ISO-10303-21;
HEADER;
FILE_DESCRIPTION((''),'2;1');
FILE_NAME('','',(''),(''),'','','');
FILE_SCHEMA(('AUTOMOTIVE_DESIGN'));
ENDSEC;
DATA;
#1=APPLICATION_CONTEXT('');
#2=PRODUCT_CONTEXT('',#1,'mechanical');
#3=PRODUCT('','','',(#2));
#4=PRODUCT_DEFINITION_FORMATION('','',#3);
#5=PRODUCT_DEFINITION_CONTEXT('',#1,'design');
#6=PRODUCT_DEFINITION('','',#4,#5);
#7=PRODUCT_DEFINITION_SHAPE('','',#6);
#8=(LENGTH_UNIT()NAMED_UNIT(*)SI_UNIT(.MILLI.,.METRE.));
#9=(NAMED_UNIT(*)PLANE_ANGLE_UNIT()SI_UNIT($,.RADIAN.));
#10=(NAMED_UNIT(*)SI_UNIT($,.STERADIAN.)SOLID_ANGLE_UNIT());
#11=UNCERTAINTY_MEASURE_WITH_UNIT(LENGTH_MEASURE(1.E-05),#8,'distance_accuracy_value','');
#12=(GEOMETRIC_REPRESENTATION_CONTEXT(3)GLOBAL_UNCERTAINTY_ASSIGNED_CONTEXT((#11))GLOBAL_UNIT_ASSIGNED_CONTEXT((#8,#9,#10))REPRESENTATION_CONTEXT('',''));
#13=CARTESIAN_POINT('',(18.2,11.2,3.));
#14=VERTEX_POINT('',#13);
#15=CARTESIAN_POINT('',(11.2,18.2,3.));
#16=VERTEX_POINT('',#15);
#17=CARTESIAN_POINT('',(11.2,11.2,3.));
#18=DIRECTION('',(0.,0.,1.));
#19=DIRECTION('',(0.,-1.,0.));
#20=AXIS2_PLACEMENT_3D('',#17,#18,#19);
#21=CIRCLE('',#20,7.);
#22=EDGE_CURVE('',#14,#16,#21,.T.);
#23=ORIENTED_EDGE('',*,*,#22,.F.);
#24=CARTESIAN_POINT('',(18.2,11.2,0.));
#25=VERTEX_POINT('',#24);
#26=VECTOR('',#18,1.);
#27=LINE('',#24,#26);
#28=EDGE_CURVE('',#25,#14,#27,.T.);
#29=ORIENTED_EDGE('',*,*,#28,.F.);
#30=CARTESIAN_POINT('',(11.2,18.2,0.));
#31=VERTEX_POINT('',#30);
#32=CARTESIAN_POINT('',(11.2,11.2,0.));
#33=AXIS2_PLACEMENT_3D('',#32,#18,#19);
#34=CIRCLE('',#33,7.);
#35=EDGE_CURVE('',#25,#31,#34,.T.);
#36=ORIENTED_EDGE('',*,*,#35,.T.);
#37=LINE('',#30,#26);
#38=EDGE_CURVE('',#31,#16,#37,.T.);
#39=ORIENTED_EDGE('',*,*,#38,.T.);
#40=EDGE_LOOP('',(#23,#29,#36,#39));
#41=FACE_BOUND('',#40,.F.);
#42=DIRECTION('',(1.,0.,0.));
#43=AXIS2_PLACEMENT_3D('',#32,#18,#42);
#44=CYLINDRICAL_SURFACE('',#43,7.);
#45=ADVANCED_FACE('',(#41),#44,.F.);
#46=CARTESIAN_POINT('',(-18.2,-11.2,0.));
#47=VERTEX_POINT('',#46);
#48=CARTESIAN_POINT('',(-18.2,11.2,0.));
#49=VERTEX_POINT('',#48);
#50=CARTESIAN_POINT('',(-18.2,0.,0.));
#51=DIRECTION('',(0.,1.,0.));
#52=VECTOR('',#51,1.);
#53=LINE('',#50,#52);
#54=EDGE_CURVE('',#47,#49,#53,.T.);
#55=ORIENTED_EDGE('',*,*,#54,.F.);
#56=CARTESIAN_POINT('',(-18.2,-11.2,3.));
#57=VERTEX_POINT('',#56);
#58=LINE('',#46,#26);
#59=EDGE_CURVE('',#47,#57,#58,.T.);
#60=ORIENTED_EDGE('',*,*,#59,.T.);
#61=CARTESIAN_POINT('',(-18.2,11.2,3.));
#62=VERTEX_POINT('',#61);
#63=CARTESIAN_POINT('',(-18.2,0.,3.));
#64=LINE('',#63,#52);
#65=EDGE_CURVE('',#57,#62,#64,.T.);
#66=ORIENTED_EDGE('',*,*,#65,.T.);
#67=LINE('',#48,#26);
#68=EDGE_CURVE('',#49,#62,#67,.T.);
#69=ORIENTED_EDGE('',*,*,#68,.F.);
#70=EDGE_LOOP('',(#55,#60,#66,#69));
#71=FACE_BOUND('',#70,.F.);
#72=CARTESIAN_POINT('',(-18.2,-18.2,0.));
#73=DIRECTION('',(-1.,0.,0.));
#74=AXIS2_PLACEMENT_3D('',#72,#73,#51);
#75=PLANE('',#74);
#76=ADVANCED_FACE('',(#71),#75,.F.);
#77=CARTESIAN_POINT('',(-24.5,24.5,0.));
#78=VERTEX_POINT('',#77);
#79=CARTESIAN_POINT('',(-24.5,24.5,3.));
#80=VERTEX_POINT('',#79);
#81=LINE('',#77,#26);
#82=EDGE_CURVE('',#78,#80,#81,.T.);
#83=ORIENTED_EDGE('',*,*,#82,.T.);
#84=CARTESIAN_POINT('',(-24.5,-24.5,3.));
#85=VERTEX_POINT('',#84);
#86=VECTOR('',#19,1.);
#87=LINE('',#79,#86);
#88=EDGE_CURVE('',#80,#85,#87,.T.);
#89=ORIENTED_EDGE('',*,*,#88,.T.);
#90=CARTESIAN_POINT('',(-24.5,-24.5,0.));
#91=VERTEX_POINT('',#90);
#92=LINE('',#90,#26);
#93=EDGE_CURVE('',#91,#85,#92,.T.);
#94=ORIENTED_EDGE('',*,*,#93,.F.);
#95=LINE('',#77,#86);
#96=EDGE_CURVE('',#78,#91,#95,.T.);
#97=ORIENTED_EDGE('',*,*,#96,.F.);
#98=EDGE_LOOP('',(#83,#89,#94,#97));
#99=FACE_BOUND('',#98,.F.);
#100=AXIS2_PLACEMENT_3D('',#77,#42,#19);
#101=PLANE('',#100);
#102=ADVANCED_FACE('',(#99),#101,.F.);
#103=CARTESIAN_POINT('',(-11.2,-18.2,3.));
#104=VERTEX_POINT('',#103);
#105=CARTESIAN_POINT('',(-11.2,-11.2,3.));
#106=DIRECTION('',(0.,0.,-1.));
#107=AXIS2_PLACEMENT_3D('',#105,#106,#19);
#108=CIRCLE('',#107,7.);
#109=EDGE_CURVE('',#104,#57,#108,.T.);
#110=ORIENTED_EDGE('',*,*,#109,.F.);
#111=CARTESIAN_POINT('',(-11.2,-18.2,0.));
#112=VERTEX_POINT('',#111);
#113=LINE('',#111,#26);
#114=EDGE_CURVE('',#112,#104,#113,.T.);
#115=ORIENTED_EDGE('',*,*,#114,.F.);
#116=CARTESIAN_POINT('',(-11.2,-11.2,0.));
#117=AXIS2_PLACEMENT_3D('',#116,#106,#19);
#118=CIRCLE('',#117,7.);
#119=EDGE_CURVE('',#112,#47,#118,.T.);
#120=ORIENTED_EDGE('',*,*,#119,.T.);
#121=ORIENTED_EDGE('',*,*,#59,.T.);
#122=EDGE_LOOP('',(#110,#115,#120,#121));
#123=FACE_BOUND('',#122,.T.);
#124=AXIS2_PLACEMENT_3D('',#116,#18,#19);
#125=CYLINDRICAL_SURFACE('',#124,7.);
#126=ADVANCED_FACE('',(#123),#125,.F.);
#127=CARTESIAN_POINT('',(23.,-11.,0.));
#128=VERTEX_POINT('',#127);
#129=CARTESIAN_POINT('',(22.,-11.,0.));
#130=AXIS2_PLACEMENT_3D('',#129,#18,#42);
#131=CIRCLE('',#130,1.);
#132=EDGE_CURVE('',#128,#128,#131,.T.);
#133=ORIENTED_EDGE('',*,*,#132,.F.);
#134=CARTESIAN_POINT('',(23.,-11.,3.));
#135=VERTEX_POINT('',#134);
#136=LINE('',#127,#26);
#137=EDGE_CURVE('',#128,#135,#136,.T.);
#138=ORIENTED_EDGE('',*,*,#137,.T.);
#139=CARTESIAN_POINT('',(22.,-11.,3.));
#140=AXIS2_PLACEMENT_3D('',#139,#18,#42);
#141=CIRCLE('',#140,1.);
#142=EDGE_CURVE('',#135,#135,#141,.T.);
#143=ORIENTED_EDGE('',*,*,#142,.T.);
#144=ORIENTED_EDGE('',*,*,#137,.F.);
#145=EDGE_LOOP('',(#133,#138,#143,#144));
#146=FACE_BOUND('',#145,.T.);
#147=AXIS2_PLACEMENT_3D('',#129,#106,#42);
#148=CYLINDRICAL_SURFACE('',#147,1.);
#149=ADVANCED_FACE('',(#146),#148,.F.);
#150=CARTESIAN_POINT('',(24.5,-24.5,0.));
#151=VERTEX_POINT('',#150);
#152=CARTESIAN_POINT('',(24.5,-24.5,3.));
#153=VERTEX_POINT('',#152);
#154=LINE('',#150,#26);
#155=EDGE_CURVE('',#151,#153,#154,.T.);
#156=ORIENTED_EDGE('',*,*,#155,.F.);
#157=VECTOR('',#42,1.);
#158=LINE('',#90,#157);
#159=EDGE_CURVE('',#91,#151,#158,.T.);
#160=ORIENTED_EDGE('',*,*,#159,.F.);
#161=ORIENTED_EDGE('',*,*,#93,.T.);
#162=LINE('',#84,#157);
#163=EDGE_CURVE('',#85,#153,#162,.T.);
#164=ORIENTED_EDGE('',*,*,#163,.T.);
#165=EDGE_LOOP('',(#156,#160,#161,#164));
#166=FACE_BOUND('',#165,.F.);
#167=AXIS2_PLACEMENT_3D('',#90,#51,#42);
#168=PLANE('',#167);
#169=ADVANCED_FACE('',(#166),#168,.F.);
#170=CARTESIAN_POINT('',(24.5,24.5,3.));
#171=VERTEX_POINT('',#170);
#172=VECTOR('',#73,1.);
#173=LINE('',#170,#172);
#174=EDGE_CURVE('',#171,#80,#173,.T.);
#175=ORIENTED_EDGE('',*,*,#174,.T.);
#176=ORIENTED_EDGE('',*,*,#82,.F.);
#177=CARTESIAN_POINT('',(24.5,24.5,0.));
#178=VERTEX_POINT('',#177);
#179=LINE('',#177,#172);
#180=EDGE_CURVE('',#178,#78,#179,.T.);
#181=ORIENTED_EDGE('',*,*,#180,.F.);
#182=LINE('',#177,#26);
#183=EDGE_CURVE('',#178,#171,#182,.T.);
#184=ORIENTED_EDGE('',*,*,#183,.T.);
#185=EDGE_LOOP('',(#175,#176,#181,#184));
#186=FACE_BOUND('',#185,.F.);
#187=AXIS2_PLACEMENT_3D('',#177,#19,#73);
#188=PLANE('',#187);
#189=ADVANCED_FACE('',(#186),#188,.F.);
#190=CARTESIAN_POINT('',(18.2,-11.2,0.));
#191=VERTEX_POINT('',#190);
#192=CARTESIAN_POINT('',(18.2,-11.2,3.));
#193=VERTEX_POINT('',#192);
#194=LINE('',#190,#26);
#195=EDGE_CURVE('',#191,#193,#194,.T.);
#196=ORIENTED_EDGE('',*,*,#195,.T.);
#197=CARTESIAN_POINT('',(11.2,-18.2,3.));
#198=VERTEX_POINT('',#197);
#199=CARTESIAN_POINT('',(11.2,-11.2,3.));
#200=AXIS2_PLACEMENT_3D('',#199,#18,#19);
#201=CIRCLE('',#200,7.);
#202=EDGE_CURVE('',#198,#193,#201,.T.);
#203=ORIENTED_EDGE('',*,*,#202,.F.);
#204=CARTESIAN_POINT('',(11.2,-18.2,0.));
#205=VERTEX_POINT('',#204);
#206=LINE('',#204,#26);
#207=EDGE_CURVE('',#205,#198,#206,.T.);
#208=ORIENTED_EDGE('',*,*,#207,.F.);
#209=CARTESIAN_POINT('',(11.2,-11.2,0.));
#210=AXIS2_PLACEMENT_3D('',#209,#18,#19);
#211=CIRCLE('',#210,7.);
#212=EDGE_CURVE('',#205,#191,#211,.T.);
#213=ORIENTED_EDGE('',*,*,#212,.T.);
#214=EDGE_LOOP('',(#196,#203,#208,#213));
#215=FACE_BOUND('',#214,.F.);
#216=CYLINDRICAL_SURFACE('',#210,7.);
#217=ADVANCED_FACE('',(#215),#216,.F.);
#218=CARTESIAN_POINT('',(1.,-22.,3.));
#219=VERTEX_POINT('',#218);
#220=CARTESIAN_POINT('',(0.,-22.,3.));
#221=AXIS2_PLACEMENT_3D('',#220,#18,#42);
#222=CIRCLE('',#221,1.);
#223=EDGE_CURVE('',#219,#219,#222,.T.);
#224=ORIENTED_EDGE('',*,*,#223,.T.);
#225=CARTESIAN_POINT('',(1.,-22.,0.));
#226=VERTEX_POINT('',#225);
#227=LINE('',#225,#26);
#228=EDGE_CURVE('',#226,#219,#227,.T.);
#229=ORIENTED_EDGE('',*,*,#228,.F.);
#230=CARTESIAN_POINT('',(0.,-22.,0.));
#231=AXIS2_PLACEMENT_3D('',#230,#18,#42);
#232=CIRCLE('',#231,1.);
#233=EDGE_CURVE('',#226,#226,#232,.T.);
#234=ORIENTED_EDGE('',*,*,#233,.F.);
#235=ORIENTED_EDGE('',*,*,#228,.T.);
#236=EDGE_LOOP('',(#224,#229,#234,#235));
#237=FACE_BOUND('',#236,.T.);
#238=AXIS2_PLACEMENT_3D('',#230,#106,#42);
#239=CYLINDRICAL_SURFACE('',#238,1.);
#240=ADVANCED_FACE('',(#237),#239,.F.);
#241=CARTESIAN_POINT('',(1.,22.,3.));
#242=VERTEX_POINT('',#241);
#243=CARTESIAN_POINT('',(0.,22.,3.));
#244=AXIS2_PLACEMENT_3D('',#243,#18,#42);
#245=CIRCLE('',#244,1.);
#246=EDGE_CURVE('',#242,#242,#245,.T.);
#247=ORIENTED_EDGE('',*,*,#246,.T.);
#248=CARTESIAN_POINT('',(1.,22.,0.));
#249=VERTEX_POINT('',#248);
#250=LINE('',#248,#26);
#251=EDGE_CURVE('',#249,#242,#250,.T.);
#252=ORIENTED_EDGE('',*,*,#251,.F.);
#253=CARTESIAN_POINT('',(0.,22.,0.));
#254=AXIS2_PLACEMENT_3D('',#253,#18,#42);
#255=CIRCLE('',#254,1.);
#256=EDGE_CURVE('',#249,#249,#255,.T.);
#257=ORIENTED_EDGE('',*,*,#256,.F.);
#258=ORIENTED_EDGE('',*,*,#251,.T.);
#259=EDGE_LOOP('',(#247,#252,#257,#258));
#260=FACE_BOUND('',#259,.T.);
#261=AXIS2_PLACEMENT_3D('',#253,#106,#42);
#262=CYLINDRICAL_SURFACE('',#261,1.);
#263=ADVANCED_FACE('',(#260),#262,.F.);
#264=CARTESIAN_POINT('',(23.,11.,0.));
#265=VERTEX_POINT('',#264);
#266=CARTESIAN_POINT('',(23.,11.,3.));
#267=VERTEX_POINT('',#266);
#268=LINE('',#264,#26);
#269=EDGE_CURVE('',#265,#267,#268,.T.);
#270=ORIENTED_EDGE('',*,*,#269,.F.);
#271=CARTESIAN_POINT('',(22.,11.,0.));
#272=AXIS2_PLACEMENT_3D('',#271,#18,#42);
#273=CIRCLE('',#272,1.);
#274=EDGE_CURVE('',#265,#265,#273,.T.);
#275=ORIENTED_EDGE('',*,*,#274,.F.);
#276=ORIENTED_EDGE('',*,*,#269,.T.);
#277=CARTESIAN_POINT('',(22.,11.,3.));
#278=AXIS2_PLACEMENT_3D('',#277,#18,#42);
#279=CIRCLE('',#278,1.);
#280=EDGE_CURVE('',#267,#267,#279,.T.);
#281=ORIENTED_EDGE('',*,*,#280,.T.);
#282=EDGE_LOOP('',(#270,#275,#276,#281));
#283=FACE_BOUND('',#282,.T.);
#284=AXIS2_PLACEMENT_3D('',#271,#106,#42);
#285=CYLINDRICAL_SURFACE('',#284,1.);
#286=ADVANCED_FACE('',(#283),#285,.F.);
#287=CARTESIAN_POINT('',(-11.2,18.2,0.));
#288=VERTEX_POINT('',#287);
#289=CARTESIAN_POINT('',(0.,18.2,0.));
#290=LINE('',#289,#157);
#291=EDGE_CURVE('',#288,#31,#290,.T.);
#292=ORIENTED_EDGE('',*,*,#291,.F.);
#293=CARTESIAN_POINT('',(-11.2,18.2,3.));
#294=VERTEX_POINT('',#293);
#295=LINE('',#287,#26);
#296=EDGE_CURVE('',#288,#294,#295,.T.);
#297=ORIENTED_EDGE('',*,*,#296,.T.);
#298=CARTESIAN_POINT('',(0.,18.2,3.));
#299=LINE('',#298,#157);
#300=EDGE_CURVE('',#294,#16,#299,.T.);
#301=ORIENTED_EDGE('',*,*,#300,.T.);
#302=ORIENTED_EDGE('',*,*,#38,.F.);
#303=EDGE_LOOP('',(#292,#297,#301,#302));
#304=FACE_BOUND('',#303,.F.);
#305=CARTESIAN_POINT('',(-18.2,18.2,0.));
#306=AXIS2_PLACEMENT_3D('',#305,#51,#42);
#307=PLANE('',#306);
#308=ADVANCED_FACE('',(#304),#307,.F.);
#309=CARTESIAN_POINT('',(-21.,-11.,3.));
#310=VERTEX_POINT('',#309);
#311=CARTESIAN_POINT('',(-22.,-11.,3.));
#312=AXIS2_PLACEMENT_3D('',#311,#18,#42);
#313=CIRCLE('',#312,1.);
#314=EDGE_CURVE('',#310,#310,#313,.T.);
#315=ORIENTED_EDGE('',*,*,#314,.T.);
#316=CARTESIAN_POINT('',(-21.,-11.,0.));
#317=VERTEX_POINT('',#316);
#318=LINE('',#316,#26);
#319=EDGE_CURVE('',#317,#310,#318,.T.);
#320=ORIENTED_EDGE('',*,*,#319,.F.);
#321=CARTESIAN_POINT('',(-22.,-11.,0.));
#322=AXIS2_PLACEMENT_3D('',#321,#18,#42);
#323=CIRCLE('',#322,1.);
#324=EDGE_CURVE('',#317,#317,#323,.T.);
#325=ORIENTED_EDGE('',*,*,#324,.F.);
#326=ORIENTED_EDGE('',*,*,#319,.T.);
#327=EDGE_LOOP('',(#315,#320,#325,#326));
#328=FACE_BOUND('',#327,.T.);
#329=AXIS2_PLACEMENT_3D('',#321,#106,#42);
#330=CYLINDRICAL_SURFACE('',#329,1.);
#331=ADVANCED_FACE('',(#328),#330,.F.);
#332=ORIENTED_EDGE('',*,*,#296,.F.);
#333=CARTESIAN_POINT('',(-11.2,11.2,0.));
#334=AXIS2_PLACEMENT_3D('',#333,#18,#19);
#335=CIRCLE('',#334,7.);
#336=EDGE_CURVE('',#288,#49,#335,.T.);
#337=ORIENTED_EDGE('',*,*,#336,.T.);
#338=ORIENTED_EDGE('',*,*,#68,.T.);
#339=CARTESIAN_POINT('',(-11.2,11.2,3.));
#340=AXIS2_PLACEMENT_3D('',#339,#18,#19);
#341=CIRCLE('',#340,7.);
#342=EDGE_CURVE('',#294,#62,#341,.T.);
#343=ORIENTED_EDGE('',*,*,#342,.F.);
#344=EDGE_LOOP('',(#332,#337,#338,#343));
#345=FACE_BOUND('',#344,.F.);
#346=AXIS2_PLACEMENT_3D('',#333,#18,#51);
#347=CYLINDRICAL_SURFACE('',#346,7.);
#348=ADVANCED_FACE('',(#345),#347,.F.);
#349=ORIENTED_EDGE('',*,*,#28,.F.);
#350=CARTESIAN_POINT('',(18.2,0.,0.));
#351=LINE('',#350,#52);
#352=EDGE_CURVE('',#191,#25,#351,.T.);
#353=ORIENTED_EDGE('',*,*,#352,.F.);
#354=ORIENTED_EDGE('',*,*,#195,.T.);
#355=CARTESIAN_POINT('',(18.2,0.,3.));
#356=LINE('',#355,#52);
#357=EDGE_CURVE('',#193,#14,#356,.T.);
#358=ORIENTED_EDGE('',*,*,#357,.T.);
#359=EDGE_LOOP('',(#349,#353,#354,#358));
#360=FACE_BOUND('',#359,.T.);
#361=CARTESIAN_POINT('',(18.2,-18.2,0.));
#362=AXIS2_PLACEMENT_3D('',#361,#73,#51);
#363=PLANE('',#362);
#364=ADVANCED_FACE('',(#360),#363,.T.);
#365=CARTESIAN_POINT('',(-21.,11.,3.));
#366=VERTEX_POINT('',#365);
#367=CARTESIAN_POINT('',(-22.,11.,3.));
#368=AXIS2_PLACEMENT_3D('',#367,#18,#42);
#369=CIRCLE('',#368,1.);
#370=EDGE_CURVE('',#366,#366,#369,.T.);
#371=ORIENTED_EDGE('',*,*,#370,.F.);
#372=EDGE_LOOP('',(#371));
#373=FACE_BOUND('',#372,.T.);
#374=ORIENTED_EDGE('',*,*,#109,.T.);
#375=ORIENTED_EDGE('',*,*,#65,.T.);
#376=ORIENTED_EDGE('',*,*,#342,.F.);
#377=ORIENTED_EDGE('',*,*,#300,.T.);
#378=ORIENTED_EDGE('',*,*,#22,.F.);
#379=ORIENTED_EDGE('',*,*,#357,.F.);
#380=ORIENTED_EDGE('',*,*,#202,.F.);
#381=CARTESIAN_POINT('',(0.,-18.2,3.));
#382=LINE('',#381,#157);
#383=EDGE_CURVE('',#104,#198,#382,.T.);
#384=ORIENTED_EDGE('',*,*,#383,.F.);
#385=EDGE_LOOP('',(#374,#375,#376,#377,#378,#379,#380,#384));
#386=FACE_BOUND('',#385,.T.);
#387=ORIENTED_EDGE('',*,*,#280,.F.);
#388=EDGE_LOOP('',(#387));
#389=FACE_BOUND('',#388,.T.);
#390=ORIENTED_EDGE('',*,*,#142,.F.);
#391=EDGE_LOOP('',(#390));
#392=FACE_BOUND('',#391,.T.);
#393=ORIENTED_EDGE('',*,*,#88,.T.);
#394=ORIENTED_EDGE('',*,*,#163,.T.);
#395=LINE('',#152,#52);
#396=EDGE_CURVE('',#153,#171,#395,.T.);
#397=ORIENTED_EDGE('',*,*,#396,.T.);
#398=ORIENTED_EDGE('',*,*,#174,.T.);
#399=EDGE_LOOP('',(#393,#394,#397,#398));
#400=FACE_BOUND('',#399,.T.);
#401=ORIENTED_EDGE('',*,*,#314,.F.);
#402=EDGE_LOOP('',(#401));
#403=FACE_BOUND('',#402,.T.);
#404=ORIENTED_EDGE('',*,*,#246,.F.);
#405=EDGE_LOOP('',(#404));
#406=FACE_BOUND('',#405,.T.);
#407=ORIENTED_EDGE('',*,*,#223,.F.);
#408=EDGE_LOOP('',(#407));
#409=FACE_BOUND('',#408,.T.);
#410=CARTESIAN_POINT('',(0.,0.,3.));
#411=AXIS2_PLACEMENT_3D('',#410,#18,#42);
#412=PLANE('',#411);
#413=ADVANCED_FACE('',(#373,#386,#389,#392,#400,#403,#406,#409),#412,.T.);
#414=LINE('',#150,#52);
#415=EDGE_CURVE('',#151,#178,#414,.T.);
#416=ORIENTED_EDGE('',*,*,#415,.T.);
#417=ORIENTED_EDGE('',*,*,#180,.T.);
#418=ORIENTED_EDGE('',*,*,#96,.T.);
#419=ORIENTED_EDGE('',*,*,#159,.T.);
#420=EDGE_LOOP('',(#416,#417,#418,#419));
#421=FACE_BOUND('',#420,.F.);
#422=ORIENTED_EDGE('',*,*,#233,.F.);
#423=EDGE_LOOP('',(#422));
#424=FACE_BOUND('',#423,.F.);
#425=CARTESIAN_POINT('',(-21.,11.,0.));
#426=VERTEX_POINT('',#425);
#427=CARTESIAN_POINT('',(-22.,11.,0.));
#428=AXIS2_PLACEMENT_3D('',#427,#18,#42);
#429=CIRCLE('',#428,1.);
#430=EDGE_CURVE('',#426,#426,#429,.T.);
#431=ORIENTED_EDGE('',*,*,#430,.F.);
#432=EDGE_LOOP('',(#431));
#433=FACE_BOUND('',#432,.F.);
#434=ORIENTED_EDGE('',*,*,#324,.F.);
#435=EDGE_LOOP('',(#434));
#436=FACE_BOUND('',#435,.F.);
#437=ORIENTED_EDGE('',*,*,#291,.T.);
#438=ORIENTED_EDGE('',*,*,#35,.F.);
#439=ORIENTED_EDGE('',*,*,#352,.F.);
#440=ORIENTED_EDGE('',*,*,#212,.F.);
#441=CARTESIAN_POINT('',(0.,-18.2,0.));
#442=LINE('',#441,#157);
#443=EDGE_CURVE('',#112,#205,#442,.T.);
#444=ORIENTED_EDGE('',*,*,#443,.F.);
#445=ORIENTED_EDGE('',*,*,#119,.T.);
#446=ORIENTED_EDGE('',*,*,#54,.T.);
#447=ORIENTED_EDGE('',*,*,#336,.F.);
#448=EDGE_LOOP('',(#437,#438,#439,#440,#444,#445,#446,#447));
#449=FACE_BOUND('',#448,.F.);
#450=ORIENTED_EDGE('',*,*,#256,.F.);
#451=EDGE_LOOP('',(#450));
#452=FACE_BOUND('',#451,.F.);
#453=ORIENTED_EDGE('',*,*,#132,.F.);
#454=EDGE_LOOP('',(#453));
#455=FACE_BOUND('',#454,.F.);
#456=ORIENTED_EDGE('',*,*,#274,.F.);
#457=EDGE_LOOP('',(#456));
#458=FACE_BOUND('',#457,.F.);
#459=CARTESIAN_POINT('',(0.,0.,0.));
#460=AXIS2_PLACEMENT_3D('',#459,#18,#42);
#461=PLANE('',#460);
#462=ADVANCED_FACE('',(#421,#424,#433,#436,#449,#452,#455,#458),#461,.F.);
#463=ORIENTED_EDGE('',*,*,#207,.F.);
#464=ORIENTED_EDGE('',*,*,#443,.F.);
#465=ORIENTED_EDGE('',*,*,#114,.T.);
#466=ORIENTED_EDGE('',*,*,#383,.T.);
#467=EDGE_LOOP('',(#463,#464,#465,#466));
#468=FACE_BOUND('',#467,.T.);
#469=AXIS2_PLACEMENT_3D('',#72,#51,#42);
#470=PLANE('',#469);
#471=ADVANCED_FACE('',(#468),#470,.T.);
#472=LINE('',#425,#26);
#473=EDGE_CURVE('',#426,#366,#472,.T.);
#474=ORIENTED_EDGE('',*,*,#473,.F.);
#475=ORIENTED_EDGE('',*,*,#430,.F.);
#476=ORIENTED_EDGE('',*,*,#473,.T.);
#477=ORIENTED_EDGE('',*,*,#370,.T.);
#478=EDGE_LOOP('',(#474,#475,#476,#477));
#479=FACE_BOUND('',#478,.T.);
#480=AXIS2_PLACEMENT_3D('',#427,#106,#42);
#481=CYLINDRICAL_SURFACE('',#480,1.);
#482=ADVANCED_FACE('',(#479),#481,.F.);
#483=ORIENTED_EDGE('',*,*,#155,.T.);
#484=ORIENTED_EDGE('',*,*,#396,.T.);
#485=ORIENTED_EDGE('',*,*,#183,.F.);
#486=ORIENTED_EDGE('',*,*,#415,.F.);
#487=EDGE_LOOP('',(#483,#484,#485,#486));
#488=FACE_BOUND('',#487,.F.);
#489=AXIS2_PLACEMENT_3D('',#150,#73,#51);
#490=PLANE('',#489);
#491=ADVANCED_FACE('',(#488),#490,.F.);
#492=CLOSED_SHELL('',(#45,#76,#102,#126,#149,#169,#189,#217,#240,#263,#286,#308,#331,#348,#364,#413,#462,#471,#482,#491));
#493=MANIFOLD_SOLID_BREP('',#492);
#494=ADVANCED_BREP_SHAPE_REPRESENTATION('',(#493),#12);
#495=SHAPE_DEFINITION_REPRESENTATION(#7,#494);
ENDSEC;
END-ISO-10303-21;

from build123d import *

# Parameters (mm, degrees)
F0_R     = 1
F0_W     = 36.4
F0_H     = 36.4
F1_DEPTH = 3
F2_R     = 7


with BuildPart() as f1:
    # F0 (on Top) → F1 (new body)
    with BuildSketch(Plane.XY):
        Polygon((-24.5, 24.5), (-24.5, -24.5), (24.5, -24.5), (24.5, 24.5), (-22, 24.5), align=None)
        with Locations((0, -22)):
            Circle(F0_R, mode=Mode.SUBTRACT)
        with Locations((-22, -11)):
            Circle(F0_R, mode=Mode.SUBTRACT)
        Polygon((19.5, -19.5), (-18.2, -19.5), (-19.5, -19.5), (-19.5, 19.5), (19.5, 19.5), align=None, mode=Mode.SUBTRACT)
        with Locations((22, -11)):
            Circle(F0_R, mode=Mode.SUBTRACT)
        with Locations((-22, 11)):
            Circle(F0_R, mode=Mode.SUBTRACT)
        with Locations((0, 22)):
            Circle(F0_R, mode=Mode.SUBTRACT)
        with Locations((22, 11)):
            Circle(F0_R, mode=Mode.SUBTRACT)
        Polygon((-19.5, -19.5), (-18.2, -19.5), (19.5, -19.5), (19.5, 19.5), (-19.5, 19.5), align=None)
        Rectangle(F0_W, F0_H, mode=Mode.SUBTRACT)
    extrude(amount=F1_DEPTH)

    # F2
    f2_edges = [f1.edges().sort_by_distance(p)[0] for p in [
        (-18.2, 18.2, 1.5),
        (-18.2, -18.2, 1.5),
        (18.2, -18.2, 1.5),
        (18.2, 18.2, 1.5),
    ]]
    fillet(f2_edges, radius=F2_R)


solid = f1.part
